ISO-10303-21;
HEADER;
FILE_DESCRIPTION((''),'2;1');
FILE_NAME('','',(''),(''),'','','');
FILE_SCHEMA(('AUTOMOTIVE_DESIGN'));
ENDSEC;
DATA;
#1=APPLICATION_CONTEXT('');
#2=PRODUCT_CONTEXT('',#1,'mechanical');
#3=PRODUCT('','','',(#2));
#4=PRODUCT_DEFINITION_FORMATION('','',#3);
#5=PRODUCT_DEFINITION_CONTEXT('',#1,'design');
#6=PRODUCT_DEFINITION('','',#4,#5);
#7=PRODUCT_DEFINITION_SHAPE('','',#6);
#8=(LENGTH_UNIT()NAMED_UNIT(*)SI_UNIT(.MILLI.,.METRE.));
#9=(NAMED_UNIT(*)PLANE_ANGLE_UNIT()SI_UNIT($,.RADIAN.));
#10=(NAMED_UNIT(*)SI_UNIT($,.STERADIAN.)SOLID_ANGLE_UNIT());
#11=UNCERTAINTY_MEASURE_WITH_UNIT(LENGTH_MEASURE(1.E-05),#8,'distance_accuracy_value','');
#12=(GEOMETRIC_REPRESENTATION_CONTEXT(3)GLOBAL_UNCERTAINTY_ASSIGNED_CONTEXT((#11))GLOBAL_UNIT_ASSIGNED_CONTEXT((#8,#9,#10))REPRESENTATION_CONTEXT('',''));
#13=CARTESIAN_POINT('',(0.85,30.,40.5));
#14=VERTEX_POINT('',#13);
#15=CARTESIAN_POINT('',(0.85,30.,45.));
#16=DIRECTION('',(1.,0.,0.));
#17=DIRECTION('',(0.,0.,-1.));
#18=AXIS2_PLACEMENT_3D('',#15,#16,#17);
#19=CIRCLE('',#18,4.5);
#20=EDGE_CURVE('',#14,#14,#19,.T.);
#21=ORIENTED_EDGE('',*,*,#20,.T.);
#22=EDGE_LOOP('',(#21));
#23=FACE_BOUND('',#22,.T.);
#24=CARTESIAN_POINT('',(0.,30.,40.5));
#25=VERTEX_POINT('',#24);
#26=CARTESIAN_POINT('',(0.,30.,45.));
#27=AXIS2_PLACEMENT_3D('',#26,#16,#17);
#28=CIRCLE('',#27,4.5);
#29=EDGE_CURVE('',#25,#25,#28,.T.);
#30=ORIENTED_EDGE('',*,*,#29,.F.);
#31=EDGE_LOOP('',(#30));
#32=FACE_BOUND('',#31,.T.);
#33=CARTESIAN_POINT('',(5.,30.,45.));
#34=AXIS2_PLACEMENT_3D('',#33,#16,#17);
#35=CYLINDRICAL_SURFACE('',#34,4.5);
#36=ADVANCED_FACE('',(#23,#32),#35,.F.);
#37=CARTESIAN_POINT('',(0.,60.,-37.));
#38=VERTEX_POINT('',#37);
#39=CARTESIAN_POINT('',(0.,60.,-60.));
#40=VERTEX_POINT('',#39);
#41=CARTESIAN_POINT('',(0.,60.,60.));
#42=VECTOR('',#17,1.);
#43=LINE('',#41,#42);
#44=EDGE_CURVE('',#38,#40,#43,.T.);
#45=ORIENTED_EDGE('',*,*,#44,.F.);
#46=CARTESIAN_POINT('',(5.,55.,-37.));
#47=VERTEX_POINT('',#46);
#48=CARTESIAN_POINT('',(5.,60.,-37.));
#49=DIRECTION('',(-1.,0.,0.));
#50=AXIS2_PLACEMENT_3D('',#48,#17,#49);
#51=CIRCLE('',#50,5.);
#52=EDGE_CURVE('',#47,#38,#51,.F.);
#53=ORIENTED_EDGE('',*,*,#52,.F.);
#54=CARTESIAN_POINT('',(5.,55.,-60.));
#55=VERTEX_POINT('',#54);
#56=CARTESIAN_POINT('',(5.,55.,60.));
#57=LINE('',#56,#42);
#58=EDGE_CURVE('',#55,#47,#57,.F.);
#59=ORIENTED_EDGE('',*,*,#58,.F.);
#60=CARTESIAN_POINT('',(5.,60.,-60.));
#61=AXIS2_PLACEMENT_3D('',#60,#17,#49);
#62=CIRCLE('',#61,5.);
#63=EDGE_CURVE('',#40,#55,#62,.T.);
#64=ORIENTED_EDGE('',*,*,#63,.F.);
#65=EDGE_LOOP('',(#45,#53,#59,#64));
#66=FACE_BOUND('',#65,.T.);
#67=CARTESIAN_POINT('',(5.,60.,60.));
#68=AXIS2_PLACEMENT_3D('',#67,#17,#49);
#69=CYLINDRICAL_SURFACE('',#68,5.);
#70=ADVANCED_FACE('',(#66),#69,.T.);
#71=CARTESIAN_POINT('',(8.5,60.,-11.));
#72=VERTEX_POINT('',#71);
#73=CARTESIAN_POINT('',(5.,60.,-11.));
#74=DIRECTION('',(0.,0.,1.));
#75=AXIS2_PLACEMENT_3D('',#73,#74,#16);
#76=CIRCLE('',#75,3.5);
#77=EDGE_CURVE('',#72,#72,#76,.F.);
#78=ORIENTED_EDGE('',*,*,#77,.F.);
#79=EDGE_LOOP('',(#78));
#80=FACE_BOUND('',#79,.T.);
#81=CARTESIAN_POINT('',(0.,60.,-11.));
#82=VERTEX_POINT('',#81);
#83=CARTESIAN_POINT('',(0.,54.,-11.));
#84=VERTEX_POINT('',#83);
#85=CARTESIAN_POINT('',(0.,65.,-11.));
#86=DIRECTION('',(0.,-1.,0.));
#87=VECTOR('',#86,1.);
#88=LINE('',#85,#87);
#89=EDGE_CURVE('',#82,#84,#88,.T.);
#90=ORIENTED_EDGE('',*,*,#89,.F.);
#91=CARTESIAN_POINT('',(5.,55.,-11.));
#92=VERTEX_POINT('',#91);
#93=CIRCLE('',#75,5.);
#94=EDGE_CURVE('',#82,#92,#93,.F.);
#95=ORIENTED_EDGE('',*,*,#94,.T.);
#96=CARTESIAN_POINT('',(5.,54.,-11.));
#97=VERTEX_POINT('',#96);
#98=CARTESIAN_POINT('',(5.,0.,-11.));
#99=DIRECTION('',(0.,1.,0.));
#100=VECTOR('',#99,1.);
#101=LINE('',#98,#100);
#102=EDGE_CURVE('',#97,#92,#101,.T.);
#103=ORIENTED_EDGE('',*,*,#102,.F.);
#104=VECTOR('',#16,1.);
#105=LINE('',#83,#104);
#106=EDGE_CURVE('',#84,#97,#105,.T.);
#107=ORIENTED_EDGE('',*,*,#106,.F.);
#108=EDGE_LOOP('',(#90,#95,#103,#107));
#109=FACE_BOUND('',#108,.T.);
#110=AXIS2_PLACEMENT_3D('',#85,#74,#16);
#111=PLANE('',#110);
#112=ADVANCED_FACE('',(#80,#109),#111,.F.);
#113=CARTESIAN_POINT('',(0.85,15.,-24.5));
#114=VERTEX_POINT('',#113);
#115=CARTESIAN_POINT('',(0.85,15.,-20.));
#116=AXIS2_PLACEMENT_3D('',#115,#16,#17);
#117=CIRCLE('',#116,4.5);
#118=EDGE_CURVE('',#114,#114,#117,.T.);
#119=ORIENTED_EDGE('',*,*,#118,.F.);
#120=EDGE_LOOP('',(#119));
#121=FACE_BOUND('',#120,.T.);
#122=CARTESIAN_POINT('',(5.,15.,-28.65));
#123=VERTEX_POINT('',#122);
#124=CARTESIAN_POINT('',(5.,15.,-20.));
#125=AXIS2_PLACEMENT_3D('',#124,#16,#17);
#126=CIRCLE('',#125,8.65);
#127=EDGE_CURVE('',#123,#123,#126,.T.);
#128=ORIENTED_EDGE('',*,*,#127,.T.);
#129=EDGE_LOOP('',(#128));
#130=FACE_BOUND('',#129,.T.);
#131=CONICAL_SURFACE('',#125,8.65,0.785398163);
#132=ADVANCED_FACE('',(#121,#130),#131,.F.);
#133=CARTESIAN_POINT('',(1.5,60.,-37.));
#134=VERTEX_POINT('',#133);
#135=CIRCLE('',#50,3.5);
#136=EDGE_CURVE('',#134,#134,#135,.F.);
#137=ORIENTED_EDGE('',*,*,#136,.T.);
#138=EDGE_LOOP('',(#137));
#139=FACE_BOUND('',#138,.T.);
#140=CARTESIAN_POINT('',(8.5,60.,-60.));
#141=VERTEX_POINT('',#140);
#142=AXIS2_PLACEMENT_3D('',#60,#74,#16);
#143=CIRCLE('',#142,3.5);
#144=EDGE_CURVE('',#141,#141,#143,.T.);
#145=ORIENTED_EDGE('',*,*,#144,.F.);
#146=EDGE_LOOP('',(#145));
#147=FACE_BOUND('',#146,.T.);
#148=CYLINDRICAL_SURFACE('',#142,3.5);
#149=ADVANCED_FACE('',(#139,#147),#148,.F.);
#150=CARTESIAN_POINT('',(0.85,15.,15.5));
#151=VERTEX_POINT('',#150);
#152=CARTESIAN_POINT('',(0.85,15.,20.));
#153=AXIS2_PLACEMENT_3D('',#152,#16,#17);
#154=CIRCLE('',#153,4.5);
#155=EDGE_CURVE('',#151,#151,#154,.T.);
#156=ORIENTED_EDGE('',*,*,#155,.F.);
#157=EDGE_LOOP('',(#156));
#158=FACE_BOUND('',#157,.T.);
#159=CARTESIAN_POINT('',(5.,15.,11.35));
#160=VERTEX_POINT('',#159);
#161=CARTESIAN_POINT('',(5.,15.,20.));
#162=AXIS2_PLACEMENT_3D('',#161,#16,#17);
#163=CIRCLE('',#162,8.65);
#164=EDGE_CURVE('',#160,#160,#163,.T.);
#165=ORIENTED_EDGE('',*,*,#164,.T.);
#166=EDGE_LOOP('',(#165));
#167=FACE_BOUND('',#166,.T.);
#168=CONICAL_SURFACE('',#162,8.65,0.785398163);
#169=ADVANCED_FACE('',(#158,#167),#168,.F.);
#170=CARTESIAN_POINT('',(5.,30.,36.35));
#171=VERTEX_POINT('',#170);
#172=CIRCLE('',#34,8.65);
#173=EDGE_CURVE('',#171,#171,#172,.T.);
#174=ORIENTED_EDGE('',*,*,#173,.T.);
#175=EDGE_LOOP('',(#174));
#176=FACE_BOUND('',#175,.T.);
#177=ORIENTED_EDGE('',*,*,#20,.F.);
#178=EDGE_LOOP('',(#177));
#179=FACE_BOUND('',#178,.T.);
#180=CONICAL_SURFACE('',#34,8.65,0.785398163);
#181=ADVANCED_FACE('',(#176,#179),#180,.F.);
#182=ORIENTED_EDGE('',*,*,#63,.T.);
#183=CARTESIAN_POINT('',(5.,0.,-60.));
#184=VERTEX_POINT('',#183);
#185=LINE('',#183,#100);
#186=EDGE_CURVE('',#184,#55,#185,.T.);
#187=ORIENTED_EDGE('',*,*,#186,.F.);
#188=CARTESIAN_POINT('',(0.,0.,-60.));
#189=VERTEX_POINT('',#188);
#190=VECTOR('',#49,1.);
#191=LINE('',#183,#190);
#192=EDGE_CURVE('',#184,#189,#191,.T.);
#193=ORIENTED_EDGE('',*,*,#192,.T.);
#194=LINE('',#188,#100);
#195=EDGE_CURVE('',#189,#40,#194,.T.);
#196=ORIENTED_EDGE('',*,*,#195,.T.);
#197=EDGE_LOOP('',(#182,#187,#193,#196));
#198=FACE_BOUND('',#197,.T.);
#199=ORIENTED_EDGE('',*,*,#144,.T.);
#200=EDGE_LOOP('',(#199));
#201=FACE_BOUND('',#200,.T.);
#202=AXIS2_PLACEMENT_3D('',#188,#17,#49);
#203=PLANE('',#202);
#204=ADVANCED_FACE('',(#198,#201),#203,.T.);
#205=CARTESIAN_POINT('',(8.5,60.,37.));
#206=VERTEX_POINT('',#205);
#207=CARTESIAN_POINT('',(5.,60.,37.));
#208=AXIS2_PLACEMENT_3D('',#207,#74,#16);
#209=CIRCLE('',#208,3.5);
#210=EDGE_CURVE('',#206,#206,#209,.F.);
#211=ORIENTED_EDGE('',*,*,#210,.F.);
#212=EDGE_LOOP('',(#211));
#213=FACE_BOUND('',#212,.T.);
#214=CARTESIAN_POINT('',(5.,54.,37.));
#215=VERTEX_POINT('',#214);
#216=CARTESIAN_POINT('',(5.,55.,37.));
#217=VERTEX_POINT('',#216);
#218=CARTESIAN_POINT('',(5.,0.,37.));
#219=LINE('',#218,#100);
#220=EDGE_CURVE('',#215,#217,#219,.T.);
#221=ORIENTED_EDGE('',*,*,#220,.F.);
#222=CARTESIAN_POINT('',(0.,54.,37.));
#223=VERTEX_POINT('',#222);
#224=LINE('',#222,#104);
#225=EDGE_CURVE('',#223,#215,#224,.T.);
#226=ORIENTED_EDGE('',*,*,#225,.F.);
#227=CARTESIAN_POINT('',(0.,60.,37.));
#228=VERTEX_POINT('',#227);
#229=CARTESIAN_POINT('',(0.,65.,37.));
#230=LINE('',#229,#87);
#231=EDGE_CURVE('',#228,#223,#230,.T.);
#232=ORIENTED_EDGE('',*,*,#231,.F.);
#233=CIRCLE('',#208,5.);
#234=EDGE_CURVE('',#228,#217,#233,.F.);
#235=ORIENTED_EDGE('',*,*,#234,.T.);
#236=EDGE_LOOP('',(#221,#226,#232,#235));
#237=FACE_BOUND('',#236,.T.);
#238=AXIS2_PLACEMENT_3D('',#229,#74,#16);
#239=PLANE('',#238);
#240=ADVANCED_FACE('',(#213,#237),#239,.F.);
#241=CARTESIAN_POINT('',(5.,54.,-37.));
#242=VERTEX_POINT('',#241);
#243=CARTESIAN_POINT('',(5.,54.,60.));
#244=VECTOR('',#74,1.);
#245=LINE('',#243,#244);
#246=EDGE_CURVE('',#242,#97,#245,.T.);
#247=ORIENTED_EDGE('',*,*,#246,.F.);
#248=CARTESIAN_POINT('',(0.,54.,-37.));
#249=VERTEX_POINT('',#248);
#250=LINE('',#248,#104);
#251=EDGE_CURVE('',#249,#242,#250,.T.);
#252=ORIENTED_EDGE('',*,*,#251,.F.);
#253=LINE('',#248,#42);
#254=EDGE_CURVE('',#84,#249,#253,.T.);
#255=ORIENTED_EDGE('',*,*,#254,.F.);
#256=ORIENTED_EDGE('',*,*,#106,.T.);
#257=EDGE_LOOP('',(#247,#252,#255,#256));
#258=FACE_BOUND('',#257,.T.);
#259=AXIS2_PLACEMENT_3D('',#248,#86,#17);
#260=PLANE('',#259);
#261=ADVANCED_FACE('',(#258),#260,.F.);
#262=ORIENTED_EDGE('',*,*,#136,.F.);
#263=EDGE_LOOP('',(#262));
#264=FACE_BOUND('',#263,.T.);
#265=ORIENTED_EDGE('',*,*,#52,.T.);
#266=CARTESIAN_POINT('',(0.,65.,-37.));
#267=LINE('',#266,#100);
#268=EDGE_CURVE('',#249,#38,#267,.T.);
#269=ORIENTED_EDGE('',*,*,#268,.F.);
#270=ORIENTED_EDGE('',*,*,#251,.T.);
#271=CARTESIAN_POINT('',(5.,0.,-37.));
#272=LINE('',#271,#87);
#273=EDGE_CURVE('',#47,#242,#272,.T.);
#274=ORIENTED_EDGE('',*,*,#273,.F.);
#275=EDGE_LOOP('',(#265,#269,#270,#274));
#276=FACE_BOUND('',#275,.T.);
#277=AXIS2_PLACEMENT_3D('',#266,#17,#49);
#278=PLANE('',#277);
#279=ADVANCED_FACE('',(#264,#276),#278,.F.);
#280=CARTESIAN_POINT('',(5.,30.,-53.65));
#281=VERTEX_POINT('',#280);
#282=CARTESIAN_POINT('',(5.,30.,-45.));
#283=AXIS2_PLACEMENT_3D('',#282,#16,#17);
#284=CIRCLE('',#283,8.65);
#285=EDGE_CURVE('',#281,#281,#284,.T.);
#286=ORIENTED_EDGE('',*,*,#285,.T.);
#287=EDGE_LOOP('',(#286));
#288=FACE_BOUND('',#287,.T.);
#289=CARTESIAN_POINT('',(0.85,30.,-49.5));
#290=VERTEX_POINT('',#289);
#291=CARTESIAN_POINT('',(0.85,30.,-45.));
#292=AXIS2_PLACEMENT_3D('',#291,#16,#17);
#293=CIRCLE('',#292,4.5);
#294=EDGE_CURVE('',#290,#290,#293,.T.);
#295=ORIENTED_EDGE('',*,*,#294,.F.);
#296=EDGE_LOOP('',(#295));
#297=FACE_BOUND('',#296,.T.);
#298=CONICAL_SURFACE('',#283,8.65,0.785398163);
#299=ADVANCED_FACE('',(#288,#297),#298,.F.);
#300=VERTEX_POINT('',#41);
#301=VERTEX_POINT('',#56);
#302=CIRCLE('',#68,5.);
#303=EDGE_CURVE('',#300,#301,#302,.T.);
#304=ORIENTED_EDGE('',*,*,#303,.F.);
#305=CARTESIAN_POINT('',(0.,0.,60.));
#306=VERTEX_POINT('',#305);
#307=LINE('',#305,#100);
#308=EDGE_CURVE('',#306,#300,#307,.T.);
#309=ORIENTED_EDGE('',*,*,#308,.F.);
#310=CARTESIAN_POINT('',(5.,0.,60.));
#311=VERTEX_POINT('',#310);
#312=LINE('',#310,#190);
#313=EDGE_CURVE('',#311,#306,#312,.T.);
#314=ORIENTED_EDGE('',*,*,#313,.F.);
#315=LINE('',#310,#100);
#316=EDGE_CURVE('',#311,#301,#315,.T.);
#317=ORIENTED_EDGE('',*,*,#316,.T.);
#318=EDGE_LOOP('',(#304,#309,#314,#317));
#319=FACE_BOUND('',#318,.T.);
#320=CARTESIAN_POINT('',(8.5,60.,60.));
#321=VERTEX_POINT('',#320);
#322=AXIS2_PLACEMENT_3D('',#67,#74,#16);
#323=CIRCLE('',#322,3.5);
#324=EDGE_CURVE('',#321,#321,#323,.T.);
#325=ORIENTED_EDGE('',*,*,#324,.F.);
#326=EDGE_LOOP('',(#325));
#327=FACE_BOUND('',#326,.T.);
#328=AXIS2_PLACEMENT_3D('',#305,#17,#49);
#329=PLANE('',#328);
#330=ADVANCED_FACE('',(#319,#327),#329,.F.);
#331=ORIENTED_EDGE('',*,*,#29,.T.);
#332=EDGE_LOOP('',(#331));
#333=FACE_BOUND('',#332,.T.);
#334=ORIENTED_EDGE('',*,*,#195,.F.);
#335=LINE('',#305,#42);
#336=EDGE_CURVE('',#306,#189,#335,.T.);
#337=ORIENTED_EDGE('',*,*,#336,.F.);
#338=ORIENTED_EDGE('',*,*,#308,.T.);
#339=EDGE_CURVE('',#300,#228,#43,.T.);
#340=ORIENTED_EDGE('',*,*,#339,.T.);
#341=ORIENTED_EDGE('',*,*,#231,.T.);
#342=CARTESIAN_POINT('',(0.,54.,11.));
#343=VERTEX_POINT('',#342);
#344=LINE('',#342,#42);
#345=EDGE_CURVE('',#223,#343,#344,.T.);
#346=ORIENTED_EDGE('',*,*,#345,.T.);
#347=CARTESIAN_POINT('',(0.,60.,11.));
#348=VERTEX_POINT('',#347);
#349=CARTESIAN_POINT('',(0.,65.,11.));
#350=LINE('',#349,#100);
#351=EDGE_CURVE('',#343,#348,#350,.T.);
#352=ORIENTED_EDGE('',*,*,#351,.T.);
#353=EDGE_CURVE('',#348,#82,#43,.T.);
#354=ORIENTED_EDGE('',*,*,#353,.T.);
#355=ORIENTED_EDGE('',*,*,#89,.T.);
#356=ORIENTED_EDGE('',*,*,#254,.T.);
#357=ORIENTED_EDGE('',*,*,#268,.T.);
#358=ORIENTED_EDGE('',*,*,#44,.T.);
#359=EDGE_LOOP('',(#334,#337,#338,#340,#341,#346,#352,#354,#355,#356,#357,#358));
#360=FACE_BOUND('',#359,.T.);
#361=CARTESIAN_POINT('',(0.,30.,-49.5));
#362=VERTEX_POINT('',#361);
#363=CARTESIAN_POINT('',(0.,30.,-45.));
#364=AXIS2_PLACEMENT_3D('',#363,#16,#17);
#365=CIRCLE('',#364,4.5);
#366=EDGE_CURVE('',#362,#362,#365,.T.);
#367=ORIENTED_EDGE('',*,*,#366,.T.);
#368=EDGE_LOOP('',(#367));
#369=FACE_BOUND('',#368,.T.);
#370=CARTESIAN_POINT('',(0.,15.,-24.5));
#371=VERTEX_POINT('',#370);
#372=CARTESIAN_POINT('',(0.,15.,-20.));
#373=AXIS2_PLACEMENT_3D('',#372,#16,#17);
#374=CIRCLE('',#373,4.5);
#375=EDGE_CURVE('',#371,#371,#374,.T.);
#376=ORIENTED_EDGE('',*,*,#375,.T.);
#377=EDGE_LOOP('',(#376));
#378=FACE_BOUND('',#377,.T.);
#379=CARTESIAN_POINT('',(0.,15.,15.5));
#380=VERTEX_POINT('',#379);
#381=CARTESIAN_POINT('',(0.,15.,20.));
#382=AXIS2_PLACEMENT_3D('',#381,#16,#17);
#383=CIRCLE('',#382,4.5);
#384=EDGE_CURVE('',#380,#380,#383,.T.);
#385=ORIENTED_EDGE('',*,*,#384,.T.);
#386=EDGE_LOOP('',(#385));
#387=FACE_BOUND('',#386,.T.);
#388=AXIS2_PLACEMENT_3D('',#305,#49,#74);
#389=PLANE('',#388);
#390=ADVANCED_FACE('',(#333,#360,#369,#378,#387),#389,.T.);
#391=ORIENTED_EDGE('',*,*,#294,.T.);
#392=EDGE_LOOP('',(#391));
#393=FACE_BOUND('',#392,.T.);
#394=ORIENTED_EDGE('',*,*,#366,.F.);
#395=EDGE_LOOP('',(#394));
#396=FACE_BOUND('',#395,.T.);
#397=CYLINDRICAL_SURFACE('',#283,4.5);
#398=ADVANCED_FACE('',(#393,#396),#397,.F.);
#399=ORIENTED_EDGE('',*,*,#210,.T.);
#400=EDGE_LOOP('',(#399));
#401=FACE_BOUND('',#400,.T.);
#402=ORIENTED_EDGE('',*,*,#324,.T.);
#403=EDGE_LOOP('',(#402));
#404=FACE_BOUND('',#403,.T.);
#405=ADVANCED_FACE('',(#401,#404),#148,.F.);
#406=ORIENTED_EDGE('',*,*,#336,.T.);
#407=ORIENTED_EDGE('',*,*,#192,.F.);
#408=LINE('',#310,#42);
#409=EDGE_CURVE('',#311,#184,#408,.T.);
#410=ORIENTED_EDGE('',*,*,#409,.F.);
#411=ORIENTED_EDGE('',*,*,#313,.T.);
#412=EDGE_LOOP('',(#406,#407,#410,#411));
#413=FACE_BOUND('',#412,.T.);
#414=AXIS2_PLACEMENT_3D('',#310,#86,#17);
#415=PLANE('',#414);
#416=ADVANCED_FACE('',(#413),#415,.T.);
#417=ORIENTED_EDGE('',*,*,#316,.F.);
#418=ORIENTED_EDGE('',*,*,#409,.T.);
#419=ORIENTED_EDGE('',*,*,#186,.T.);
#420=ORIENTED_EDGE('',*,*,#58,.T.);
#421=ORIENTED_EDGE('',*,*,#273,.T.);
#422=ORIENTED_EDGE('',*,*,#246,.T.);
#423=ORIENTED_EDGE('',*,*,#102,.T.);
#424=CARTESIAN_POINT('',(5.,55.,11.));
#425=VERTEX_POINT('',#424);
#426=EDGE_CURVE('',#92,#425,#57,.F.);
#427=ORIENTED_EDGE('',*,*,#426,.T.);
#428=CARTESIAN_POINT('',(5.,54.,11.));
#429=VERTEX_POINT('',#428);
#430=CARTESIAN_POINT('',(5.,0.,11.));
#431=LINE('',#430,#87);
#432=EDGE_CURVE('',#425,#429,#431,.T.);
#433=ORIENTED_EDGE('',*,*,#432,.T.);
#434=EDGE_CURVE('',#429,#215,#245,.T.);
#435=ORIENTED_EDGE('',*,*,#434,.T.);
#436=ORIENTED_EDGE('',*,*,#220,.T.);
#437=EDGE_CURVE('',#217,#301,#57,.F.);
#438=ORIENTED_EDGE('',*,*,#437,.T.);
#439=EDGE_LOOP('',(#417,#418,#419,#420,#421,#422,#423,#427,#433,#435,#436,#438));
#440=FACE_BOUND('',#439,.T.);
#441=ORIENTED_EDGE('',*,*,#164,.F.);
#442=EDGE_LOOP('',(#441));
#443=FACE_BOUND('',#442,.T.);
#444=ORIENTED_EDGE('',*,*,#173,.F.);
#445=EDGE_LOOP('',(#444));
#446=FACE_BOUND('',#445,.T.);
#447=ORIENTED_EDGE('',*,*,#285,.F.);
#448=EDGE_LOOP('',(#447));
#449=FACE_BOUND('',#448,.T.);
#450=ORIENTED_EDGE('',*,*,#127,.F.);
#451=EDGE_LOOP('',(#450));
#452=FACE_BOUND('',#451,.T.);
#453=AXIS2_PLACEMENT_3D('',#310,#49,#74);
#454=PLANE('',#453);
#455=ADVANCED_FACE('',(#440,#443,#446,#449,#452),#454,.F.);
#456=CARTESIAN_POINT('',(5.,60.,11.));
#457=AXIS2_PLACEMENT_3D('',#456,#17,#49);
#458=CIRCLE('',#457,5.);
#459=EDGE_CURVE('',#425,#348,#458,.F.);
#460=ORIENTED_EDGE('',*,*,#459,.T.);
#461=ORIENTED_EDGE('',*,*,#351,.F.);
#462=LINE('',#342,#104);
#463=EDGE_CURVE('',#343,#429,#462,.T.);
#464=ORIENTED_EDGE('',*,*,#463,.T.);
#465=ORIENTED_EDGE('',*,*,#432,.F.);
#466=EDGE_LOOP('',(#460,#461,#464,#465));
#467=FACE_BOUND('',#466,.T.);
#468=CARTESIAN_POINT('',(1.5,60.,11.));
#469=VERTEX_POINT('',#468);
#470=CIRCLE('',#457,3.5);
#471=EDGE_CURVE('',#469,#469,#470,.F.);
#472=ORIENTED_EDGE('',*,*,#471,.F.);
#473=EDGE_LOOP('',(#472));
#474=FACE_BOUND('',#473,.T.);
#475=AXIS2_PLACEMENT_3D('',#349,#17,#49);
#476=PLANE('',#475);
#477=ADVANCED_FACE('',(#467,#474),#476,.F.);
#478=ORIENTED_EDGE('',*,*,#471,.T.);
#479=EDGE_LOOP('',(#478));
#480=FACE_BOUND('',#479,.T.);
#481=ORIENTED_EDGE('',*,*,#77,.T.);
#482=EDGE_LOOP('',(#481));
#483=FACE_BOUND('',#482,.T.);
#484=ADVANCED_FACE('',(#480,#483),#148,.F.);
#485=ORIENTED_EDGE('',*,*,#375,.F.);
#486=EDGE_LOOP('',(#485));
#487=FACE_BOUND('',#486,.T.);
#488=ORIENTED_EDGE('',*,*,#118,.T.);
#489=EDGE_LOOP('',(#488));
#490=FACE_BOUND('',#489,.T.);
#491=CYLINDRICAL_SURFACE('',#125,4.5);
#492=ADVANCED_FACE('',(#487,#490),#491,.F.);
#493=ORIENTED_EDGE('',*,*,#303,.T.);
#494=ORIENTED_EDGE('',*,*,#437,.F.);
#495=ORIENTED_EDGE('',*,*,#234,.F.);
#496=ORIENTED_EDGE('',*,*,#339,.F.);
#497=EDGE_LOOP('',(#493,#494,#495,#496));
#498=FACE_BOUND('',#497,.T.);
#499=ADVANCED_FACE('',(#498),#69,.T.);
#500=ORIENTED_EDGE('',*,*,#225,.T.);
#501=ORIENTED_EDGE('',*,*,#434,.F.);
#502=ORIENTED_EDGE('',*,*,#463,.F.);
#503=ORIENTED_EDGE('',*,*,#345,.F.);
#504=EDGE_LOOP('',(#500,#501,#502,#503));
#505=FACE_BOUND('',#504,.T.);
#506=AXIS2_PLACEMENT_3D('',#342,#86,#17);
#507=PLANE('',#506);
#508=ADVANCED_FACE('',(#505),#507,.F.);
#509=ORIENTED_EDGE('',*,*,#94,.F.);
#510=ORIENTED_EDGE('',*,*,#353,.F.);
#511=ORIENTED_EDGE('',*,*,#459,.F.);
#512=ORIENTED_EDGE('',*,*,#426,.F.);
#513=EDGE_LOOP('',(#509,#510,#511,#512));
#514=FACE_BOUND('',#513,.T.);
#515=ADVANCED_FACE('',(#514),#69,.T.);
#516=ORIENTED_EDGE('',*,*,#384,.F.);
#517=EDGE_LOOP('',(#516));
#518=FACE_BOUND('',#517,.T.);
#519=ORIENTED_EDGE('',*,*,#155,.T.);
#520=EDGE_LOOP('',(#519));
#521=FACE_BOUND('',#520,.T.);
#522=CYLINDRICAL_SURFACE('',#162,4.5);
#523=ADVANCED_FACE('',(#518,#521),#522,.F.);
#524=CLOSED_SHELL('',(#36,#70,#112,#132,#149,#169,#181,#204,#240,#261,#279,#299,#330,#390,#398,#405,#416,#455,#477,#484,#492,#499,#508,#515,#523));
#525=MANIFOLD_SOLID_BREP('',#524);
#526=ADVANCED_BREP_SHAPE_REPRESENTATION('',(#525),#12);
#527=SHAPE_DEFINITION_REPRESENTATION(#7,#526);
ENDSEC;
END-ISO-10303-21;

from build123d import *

# Parameters (mm, degrees)
SKETCH15_W                                     = 5
SKETCH15_H                                     = 60
EXTRUDE_THIN2_DEPTH                            = 60
SKETCH16_R                                     = 5
SKETCH17_R                                     = 3.5
CUT_EXTRUDE4_DEPTH                             = 137.839321834
CSK_FOR_M8_FLAT_HEAD_MACHINE_SCREW4_AT_2_COUNT = 2
CSK_FOR_M8_FLAT_HEAD_MACHINE_SCREW4_AT_2_PITCH = 29.154759474
SKETCH37_W                                     = 26
SKETCH37_H                                     = 11
F_2CUTS_DEPTH                                  = 89.600225733
F_2CUTS_DEPTH_BACK                             = 89.600225733


with BuildPart() as part:
    # Sketch15 → Extrude-Thin2 (new, symmetric)
    with BuildSketch(Plane.XY):
        with Locations((2.5, 30)):
            Rectangle(SKETCH15_W, SKETCH15_H)
    extrude(amount=EXTRUDE_THIN2_DEPTH, both=True)

    # Sweep2: sweep along a curve in space
    with BuildLine() as sweep2_path:
        Line((5, 60, 60), (5, 60, -60))
    # Sketch16 → Sweep2 (sweep)
    with BuildSketch(Plane(origin=(0, 0, -60), x_dir=(-1, 0, 0), z_dir=(0, 0, -1))):
        with Locations((-5, 60)):
            Circle(SKETCH16_R)
    sweep(path=sweep2_path.line)

    # Sketch17 → Cut-Extrude4 (cut, through all)
    with BuildSketch(Plane.XY.offset(60)):
        with Locations((5, 60)):
            Circle(SKETCH17_R)
    extrude(amount=-CUT_EXTRUDE4_DEPTH, mode=Mode.SUBTRACT)

    # Sketch18 → CSK for M8 Flat Head Machine Screw4 (revolve, cut)
    with BuildSketch(Plane(origin=(5, 30, 45), x_dir=(0, 0, -1), z_dir=(0, 1, 0))):
        Polygon((0, 0), (0, 5), (4.5, 5), (4.5, 4.15), (8.65, 0), align=None)
    csk_for_m8_flat_head_machine_screw4 = revolve(axis=Axis((11.35, 30, 45), (-1, 0, 0)), mode=Mode.SUBTRACT)

    # CSK for M8 Flat Head Machine Screw4 at 2: CSK for M8 Flat Head Machine Screw4 ×2
    with Locations(*[Vector(0, -0.5144957554275265, -0.8574929257125442) * (i * CSK_FOR_M8_FLAT_HEAD_MACHINE_SCREW4_AT_2_PITCH) for i in range(1, CSK_FOR_M8_FLAT_HEAD_MACHINE_SCREW4_AT_2_COUNT)]):
        add(csk_for_m8_flat_head_machine_screw4, mode=Mode.SUBTRACT)

    # Mirror7: CSK for M8 Flat Head Machine Screw4 across plane
    add(csk_for_m8_flat_head_machine_screw4.mirror(Plane.XY), mode=Mode.SUBTRACT)

    # Mirror7 copy 1 sketch → Mirror7 copy 1 (revolve, cut)
    with BuildSketch(Plane(origin=(5, 15, -20), x_dir=(0, 0, 1), z_dir=(0, 1, 0))):
        Polygon((0, 0), (0, -5), (4.5, -5), (4.5, -4.15), (8.65, 0), align=None)
    revolve(axis=Axis((11.35, 15, -20), (1, 0, 0)), mode=Mode.SUBTRACT)

    # Sketch37 → 2Cuts (cut, two sides)
    with BuildSketch(Plane(origin=(5, 0, 0), x_dir=(0, 0, -1), z_dir=(1, 0, 0))) as f_2cuts_sk:
        with Locations((24, 59.5)):
            Rectangle(SKETCH37_W, SKETCH37_H)
        with Locations((-24, 59.5)):
            Rectangle(SKETCH37_W, SKETCH37_H)
    extrude(amount=F_2CUTS_DEPTH, mode=Mode.SUBTRACT)
    extrude(f_2cuts_sk.sketch, amount=-F_2CUTS_DEPTH_BACK, mode=Mode.SUBTRACT)


solid = part.part
